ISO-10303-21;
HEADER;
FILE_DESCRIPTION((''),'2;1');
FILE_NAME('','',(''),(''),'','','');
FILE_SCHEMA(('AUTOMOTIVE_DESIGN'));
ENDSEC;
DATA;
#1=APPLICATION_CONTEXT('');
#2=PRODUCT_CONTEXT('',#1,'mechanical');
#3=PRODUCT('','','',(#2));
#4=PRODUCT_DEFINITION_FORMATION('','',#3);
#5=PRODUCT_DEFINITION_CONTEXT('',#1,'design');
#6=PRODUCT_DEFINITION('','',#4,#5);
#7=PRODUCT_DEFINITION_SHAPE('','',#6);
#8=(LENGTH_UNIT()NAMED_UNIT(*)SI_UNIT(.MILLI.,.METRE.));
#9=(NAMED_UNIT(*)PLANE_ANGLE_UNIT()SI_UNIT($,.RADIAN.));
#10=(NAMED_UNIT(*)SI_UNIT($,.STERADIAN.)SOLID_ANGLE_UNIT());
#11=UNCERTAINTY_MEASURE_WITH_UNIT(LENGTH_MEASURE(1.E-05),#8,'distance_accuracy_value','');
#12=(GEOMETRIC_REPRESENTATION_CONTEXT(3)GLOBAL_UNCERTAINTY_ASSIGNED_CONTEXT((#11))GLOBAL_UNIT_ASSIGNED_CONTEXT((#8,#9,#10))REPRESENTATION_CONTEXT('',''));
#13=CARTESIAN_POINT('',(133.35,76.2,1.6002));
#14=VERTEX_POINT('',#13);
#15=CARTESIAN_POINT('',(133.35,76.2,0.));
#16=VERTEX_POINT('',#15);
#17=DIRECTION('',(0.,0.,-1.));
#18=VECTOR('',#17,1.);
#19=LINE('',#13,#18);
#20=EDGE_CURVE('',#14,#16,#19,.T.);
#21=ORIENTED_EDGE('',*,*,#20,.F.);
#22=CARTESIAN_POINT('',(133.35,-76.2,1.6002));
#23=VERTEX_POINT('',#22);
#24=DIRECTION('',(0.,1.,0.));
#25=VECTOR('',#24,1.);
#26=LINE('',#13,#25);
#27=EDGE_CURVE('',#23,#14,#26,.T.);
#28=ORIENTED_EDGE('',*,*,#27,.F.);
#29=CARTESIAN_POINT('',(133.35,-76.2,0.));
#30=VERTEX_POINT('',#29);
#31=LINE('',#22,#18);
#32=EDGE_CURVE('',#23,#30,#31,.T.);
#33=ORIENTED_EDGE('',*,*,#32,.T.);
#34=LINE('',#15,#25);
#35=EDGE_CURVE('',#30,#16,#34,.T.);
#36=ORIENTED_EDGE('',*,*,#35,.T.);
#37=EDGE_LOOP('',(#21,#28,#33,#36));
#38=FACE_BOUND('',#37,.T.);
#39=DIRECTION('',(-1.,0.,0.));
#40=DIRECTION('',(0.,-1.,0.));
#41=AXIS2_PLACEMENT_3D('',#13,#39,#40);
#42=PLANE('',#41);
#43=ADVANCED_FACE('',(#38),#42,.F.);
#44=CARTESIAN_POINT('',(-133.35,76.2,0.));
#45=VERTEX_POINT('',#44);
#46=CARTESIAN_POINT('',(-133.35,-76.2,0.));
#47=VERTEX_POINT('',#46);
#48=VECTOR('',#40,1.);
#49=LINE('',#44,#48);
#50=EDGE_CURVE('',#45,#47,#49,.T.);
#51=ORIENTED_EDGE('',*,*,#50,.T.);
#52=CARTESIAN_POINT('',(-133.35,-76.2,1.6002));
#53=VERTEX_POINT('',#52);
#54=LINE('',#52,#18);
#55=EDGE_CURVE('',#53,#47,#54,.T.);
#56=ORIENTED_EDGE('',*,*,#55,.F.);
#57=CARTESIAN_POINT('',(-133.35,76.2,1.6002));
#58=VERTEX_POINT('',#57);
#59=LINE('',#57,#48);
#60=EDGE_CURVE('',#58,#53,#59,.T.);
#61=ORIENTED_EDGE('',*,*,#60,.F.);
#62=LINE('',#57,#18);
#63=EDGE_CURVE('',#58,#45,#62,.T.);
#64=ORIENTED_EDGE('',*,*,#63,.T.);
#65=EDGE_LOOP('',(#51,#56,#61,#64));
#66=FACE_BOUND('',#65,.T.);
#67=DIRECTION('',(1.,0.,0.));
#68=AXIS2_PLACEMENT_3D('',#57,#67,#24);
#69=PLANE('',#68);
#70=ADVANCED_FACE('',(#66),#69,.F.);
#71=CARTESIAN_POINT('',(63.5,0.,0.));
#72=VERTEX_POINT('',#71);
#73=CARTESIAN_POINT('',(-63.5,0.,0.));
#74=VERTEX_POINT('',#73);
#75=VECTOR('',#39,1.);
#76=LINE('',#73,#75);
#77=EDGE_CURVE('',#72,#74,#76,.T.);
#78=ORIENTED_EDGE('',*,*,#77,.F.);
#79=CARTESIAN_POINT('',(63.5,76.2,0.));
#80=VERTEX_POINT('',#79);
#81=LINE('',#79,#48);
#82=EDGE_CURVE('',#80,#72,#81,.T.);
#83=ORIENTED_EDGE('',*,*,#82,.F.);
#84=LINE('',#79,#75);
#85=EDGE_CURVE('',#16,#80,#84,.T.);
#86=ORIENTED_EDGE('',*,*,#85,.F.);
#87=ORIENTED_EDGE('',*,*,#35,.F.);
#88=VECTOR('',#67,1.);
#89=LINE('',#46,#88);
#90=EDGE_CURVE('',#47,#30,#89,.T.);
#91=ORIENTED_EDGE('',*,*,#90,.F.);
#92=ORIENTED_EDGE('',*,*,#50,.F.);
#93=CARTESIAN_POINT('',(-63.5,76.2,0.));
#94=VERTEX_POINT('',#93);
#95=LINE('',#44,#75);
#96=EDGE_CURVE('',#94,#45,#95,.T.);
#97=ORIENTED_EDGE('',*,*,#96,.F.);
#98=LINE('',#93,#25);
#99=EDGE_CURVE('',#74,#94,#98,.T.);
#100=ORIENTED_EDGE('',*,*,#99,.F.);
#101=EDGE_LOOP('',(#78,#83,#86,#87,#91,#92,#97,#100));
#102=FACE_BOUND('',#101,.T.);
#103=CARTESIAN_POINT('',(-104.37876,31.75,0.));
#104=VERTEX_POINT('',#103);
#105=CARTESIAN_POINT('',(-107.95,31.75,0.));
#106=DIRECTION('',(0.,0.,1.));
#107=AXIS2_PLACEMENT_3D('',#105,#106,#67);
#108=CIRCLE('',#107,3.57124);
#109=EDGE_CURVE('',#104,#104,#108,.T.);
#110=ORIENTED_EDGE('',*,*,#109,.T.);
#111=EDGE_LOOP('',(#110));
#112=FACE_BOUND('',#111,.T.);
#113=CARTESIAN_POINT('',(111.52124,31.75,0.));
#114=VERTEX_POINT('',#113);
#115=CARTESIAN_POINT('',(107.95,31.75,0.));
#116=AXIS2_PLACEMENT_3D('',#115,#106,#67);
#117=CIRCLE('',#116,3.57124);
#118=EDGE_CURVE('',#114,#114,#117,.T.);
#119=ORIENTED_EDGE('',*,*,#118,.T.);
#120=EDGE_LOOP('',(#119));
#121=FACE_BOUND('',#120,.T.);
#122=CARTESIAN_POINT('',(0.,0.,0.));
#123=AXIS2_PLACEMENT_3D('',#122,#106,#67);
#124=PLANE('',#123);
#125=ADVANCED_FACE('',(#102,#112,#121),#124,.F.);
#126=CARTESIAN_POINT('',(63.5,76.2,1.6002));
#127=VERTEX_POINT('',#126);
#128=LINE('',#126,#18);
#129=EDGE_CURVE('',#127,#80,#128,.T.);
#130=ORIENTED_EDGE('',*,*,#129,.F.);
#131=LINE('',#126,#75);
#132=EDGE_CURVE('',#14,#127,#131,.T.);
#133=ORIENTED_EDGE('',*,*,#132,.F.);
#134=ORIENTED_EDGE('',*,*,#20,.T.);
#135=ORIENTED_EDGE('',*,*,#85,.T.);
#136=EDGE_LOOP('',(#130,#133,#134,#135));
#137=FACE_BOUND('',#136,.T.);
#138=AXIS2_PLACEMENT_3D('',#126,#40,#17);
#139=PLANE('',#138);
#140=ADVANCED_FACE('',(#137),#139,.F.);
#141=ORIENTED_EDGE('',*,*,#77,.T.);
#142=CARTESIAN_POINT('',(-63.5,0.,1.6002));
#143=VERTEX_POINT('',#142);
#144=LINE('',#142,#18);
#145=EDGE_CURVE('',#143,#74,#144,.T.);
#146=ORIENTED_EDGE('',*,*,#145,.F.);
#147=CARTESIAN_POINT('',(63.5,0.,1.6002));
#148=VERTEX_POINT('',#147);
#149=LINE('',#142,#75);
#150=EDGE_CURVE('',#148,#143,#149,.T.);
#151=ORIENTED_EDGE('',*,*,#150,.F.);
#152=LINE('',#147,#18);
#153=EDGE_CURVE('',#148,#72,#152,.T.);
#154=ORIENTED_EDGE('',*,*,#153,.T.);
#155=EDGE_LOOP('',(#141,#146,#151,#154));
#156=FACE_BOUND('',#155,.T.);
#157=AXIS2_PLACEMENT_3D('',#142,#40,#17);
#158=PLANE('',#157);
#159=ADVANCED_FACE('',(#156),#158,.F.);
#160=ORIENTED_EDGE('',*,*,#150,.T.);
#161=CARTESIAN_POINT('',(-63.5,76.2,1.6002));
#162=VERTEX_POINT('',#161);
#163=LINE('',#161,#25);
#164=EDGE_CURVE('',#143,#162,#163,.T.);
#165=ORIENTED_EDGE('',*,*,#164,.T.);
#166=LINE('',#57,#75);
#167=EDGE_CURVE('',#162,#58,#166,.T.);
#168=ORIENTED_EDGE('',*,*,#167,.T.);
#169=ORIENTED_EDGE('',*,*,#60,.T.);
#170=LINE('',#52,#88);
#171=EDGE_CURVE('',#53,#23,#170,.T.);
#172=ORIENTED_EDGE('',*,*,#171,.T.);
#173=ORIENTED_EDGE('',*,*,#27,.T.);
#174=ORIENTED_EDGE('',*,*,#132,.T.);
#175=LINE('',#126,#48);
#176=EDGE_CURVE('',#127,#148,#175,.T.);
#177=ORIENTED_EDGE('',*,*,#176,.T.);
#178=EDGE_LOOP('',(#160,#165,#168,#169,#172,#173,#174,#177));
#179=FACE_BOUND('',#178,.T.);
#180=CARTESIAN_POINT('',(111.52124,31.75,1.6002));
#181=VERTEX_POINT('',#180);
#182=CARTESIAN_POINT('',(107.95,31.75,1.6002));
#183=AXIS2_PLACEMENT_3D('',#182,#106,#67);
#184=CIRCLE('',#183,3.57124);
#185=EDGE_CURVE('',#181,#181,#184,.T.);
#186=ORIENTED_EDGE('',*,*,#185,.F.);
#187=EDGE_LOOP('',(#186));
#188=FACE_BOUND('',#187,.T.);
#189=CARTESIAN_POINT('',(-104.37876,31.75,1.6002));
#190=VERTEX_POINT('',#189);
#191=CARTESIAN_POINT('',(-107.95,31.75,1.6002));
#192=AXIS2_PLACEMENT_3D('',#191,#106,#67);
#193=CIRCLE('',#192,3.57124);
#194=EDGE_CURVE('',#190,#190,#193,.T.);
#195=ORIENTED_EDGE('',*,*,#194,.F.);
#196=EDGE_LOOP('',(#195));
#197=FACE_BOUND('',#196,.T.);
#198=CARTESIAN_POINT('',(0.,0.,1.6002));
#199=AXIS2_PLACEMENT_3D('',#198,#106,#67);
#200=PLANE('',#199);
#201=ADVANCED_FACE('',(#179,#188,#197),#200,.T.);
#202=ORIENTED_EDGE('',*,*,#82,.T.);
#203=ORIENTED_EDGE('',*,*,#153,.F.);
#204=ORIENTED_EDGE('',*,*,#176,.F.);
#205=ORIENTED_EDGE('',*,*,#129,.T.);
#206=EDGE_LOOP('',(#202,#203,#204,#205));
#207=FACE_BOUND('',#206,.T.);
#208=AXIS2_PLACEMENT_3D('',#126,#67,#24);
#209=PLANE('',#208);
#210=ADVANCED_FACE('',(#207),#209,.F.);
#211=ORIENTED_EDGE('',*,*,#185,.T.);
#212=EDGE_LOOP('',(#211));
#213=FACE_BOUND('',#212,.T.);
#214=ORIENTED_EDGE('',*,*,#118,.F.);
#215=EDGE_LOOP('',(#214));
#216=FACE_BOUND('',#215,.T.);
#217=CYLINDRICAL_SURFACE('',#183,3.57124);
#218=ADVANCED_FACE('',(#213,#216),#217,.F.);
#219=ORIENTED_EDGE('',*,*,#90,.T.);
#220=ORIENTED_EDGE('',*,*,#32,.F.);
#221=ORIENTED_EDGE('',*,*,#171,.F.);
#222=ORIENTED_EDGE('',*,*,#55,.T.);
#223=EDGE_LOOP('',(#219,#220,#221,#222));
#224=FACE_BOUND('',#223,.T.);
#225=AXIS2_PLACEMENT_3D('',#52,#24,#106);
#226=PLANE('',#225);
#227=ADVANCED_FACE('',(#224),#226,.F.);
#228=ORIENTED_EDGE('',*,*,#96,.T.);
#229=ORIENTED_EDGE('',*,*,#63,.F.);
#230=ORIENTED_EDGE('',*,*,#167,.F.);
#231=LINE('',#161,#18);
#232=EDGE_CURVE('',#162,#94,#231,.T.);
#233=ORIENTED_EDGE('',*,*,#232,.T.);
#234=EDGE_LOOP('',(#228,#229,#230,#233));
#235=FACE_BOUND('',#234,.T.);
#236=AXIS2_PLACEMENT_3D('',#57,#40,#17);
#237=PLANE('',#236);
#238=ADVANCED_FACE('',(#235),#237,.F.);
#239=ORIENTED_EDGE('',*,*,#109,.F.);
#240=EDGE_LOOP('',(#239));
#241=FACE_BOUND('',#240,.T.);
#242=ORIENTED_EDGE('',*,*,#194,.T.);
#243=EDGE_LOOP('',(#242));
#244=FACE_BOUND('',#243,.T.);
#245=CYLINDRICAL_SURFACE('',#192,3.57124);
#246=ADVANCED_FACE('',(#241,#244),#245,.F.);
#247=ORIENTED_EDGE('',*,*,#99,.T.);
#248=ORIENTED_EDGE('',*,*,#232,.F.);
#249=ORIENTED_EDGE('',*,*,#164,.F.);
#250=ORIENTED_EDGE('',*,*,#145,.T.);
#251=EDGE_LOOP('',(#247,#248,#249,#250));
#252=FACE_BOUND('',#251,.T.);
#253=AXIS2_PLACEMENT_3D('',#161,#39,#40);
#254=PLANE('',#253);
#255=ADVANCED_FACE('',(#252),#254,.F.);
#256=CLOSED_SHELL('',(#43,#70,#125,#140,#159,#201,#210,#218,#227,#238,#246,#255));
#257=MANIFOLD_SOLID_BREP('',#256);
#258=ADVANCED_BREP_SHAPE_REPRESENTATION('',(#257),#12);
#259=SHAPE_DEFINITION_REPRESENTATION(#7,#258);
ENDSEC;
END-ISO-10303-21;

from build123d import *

# Parameters (mm, degrees)
BOSS_EXTRUDE1_DEPTH     = 1.6002
F_1_4_CLEARANCE_HOLE1_D = 7.14248


with BuildPart() as part:
    # Sketch1 → Boss-Extrude1 (new body)
    with BuildSketch(Plane.XY):
        Polygon((63.5, 76.2), (133.35, 76.2), (133.35, -76.2), (-133.35, -76.2), (-133.35, 76.2), (-63.5, 76.2), (-63.5, 0), (63.5, 0), align=None)
    extrude(amount=BOSS_EXTRUDE1_DEPTH)

    # 1/4 Clearance Hole1 (through all)
    with Locations(Plane.XY.offset(1.6002)):
        with Locations((-107.95, 31.75), (107.95, 31.75)):
            Hole(F_1_4_CLEARANCE_HOLE1_D / 2)


solid = part.part
